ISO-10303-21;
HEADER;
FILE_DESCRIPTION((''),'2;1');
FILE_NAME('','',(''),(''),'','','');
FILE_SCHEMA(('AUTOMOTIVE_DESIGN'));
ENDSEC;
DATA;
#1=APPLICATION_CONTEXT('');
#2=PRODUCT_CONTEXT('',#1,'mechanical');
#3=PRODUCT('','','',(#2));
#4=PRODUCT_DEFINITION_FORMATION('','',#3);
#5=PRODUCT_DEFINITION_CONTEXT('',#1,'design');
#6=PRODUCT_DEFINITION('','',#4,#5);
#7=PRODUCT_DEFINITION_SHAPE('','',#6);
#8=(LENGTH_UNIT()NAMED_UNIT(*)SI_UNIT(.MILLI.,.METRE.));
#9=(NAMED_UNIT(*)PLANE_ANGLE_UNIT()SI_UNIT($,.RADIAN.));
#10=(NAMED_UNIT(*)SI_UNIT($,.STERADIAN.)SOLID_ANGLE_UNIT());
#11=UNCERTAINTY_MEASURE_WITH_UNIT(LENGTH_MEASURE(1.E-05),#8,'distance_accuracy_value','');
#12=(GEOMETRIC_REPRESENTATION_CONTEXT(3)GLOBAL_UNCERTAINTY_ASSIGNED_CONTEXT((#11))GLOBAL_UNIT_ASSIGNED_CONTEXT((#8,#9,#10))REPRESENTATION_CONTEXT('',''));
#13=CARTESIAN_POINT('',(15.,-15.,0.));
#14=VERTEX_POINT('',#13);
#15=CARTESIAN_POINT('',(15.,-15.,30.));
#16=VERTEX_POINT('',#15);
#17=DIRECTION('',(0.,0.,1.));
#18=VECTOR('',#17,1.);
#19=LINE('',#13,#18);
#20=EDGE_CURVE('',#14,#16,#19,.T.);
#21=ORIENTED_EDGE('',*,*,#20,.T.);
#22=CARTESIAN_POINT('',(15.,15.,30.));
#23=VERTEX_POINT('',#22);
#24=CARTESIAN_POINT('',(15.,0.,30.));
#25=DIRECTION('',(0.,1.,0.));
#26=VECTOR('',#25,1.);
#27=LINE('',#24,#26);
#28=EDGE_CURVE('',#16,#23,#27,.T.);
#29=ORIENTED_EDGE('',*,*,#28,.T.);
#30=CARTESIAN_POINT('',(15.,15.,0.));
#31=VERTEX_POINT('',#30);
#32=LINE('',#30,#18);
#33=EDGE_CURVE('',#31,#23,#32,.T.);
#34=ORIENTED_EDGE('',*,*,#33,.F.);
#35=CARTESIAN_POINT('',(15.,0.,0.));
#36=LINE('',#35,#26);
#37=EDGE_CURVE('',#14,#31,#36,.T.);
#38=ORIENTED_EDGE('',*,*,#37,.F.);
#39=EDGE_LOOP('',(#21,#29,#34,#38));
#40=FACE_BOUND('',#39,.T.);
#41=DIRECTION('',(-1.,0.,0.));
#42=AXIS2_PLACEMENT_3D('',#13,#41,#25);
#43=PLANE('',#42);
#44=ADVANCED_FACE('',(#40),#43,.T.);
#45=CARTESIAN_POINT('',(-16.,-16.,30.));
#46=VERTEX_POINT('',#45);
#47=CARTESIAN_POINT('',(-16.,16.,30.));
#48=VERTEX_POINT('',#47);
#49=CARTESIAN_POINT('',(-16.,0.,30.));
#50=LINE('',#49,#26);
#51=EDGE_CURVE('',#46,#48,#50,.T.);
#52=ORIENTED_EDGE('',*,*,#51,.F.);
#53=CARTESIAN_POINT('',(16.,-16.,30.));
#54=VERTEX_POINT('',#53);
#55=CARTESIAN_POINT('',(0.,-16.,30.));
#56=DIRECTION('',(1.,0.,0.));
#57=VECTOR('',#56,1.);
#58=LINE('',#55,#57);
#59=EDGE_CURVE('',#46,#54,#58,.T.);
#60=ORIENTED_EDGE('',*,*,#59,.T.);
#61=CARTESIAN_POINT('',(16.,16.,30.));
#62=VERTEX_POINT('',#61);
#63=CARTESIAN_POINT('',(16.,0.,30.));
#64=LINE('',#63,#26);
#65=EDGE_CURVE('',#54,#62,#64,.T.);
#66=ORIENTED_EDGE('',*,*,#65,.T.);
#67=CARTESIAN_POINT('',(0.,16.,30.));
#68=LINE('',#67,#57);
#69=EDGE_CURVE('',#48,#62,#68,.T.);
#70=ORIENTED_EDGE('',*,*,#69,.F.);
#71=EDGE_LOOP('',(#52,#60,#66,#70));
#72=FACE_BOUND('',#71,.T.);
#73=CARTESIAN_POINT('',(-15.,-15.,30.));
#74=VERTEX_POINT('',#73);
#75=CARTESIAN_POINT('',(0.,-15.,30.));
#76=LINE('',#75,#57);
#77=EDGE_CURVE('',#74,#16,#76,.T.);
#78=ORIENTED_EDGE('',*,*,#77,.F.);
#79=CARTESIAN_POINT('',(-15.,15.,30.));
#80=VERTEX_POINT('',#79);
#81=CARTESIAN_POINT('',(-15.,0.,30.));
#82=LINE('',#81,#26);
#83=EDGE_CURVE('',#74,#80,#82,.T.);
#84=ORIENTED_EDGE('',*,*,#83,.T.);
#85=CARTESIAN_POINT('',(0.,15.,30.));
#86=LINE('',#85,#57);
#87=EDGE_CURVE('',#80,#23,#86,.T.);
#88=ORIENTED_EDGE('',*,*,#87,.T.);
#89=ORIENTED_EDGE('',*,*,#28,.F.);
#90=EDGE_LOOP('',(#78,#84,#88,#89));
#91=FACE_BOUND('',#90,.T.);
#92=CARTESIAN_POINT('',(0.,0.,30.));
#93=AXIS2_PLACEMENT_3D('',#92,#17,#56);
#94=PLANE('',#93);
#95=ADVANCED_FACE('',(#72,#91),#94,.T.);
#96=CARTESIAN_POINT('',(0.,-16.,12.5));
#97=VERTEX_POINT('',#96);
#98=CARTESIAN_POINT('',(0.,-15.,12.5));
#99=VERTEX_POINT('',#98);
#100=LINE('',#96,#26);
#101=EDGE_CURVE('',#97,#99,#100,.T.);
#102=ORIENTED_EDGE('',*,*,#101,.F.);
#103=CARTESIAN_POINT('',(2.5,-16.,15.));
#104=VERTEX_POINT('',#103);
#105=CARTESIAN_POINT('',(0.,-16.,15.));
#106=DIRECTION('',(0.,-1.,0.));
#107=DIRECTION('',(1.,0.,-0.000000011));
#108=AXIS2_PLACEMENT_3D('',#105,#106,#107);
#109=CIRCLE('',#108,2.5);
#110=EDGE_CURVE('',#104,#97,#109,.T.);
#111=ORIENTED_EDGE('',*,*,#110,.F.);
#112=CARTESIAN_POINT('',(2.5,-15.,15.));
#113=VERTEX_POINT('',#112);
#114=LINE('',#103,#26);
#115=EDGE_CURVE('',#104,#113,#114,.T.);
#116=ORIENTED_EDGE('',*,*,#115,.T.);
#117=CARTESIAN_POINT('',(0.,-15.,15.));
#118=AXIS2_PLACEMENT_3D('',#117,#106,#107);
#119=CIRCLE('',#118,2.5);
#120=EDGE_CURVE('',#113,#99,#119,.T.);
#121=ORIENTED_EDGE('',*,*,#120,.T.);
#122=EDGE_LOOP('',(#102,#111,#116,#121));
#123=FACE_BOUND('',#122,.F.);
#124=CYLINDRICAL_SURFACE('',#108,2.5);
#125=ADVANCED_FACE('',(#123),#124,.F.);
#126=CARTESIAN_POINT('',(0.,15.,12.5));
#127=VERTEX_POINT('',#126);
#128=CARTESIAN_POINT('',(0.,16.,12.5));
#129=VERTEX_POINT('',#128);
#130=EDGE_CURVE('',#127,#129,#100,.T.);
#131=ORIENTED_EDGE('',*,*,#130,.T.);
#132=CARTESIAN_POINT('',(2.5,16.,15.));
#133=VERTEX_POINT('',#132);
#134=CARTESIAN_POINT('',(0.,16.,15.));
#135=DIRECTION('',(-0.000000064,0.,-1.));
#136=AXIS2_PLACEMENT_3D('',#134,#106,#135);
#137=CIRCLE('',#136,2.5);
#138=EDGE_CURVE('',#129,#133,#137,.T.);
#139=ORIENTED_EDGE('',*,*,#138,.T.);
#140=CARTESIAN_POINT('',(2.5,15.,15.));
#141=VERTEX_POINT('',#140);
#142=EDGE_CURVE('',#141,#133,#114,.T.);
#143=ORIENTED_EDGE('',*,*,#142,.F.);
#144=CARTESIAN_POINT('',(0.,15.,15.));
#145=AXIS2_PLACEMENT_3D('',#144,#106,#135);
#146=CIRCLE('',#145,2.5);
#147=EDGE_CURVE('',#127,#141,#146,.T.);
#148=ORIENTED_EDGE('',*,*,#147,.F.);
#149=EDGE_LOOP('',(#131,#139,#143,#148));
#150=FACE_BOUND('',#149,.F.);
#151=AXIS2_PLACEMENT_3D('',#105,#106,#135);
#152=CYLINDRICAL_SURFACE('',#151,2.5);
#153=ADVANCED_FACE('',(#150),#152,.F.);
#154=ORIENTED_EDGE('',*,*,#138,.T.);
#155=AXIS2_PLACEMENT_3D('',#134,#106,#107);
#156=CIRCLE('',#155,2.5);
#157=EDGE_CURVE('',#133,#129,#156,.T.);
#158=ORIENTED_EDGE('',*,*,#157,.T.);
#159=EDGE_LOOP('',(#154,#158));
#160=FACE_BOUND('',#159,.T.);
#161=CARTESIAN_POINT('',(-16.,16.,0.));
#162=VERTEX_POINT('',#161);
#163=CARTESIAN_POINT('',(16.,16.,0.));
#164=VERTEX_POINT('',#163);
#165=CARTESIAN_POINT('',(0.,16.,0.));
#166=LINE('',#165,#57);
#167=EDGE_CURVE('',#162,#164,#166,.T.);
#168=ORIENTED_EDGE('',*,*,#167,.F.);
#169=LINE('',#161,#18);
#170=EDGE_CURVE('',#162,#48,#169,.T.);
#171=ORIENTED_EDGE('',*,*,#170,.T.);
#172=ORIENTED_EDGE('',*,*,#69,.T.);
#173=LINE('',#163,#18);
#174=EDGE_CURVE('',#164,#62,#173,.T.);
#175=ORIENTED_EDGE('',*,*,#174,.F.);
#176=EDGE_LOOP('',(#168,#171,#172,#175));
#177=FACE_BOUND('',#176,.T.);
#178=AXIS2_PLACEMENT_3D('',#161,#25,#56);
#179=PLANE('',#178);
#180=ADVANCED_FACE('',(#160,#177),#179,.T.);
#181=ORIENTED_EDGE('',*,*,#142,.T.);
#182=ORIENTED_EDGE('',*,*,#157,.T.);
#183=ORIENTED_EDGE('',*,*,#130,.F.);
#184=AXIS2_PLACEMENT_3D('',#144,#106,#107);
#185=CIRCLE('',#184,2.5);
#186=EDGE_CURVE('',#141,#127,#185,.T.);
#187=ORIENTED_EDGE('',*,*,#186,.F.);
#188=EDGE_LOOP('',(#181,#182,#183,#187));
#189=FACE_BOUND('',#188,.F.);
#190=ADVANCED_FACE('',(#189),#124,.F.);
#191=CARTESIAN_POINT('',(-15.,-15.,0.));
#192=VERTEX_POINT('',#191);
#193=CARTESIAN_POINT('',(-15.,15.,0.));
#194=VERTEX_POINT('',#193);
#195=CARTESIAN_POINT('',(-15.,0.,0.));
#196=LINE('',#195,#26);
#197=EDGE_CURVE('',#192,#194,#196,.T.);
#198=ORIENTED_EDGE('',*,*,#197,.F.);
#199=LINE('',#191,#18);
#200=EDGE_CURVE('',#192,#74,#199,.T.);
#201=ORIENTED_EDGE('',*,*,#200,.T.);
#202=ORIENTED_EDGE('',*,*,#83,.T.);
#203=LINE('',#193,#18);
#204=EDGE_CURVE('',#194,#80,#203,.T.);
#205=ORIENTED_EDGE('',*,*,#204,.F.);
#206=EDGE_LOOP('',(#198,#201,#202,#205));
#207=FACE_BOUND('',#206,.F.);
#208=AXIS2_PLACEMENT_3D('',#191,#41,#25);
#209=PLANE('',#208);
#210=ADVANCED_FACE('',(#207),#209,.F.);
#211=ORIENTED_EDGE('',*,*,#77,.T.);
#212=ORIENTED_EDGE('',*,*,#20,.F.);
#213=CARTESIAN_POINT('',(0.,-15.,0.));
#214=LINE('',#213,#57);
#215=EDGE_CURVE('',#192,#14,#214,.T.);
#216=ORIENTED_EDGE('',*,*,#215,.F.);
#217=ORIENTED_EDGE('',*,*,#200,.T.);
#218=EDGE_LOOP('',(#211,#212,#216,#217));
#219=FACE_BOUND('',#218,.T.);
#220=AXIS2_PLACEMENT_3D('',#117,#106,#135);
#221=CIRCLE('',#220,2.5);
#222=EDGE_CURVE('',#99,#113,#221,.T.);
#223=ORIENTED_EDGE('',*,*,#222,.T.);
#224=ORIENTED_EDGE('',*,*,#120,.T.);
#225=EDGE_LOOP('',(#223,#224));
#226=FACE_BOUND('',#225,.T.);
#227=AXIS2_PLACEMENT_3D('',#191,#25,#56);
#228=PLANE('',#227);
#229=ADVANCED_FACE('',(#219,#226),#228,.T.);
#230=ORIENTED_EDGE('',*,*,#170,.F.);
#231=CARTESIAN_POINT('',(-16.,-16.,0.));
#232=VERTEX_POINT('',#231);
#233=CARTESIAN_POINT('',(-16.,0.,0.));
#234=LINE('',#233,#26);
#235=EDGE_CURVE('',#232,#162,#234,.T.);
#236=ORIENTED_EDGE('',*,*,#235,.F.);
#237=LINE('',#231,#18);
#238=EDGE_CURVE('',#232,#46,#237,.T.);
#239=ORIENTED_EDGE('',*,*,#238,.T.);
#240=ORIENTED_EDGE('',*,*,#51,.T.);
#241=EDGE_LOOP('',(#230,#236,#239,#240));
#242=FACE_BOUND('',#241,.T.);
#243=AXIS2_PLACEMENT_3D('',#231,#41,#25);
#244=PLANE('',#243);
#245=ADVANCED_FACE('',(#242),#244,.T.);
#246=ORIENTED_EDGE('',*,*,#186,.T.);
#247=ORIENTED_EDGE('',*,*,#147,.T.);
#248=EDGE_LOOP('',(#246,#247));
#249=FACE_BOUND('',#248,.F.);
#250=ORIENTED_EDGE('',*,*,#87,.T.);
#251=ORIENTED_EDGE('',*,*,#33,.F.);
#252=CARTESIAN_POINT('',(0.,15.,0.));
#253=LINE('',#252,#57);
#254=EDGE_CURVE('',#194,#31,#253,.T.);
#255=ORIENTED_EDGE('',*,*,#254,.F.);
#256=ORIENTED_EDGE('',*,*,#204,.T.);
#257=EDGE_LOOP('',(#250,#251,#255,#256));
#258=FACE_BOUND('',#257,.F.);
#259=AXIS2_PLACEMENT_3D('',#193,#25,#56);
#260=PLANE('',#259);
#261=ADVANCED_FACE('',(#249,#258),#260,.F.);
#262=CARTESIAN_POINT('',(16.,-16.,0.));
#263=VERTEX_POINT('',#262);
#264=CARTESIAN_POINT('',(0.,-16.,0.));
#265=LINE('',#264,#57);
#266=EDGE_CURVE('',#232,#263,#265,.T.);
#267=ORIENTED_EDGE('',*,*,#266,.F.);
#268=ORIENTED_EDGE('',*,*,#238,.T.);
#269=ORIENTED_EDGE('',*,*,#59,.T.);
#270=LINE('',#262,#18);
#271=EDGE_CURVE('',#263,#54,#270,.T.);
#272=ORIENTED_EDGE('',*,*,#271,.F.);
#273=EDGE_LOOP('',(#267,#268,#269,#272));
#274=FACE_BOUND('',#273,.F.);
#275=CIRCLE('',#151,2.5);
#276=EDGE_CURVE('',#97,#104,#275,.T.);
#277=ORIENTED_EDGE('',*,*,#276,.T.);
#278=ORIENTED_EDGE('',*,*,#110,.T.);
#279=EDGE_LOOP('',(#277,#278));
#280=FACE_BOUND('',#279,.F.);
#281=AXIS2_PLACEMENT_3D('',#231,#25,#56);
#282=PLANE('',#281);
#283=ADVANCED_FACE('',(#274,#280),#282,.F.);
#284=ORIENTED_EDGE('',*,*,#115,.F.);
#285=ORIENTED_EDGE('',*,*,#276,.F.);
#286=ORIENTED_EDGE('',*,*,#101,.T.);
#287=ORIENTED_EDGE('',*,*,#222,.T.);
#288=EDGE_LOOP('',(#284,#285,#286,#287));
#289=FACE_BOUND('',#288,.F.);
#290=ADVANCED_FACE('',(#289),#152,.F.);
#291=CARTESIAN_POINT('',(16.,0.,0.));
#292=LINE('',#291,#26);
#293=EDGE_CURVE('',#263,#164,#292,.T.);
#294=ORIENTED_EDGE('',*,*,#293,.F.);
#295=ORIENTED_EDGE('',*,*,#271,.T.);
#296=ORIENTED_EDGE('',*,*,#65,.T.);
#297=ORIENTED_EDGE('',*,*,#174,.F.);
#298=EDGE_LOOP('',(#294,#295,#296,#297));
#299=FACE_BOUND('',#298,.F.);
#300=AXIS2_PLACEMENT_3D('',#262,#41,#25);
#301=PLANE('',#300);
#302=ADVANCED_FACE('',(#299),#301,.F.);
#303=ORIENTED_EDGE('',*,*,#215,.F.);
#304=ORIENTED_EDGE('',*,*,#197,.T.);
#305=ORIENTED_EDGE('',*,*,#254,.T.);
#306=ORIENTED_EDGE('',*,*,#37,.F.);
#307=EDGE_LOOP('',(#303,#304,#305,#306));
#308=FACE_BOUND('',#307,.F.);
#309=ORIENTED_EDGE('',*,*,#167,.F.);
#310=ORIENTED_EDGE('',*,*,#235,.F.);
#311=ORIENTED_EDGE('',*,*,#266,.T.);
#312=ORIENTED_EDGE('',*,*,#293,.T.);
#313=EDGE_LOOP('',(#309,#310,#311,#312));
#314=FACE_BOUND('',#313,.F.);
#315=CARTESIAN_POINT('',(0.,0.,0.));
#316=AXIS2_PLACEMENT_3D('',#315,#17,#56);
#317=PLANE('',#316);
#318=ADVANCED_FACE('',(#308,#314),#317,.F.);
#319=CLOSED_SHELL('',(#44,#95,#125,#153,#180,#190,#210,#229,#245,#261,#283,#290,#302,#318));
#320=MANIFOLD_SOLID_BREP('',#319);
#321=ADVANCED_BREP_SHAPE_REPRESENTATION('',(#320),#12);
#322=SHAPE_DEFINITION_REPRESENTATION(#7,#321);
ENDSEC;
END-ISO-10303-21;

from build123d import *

# Parameters (mm, degrees)
F0_W     = 32
F0_H     = 32
F0_W_2   = 30
F0_H_2   = 30
F1_DEPTH = 30
F3_DEPTH = 50


with BuildPart() as f1:
    # F0 (on Top) → F1 (new body)
    with BuildSketch(Plane.XY):
        Rectangle(F0_W, F0_H)
        Rectangle(F0_W_2, F0_H_2, mode=Mode.SUBTRACT)
    extrude(amount=F1_DEPTH)

    # F2 (on face) → F3 (cut)
    with BuildSketch(Plane.XZ.offset(16)):
        with BuildLine():
            ThreePointArc((0, 12.5), (1.767767, 13.232233), (2.5, 15))
            ThreePointArc((2.5, 15), (-1.767767, 16.767767), (0, 12.5))
        make_face()
    extrude(amount=-F3_DEPTH, mode=Mode.SUBTRACT)


solid = f1.part
